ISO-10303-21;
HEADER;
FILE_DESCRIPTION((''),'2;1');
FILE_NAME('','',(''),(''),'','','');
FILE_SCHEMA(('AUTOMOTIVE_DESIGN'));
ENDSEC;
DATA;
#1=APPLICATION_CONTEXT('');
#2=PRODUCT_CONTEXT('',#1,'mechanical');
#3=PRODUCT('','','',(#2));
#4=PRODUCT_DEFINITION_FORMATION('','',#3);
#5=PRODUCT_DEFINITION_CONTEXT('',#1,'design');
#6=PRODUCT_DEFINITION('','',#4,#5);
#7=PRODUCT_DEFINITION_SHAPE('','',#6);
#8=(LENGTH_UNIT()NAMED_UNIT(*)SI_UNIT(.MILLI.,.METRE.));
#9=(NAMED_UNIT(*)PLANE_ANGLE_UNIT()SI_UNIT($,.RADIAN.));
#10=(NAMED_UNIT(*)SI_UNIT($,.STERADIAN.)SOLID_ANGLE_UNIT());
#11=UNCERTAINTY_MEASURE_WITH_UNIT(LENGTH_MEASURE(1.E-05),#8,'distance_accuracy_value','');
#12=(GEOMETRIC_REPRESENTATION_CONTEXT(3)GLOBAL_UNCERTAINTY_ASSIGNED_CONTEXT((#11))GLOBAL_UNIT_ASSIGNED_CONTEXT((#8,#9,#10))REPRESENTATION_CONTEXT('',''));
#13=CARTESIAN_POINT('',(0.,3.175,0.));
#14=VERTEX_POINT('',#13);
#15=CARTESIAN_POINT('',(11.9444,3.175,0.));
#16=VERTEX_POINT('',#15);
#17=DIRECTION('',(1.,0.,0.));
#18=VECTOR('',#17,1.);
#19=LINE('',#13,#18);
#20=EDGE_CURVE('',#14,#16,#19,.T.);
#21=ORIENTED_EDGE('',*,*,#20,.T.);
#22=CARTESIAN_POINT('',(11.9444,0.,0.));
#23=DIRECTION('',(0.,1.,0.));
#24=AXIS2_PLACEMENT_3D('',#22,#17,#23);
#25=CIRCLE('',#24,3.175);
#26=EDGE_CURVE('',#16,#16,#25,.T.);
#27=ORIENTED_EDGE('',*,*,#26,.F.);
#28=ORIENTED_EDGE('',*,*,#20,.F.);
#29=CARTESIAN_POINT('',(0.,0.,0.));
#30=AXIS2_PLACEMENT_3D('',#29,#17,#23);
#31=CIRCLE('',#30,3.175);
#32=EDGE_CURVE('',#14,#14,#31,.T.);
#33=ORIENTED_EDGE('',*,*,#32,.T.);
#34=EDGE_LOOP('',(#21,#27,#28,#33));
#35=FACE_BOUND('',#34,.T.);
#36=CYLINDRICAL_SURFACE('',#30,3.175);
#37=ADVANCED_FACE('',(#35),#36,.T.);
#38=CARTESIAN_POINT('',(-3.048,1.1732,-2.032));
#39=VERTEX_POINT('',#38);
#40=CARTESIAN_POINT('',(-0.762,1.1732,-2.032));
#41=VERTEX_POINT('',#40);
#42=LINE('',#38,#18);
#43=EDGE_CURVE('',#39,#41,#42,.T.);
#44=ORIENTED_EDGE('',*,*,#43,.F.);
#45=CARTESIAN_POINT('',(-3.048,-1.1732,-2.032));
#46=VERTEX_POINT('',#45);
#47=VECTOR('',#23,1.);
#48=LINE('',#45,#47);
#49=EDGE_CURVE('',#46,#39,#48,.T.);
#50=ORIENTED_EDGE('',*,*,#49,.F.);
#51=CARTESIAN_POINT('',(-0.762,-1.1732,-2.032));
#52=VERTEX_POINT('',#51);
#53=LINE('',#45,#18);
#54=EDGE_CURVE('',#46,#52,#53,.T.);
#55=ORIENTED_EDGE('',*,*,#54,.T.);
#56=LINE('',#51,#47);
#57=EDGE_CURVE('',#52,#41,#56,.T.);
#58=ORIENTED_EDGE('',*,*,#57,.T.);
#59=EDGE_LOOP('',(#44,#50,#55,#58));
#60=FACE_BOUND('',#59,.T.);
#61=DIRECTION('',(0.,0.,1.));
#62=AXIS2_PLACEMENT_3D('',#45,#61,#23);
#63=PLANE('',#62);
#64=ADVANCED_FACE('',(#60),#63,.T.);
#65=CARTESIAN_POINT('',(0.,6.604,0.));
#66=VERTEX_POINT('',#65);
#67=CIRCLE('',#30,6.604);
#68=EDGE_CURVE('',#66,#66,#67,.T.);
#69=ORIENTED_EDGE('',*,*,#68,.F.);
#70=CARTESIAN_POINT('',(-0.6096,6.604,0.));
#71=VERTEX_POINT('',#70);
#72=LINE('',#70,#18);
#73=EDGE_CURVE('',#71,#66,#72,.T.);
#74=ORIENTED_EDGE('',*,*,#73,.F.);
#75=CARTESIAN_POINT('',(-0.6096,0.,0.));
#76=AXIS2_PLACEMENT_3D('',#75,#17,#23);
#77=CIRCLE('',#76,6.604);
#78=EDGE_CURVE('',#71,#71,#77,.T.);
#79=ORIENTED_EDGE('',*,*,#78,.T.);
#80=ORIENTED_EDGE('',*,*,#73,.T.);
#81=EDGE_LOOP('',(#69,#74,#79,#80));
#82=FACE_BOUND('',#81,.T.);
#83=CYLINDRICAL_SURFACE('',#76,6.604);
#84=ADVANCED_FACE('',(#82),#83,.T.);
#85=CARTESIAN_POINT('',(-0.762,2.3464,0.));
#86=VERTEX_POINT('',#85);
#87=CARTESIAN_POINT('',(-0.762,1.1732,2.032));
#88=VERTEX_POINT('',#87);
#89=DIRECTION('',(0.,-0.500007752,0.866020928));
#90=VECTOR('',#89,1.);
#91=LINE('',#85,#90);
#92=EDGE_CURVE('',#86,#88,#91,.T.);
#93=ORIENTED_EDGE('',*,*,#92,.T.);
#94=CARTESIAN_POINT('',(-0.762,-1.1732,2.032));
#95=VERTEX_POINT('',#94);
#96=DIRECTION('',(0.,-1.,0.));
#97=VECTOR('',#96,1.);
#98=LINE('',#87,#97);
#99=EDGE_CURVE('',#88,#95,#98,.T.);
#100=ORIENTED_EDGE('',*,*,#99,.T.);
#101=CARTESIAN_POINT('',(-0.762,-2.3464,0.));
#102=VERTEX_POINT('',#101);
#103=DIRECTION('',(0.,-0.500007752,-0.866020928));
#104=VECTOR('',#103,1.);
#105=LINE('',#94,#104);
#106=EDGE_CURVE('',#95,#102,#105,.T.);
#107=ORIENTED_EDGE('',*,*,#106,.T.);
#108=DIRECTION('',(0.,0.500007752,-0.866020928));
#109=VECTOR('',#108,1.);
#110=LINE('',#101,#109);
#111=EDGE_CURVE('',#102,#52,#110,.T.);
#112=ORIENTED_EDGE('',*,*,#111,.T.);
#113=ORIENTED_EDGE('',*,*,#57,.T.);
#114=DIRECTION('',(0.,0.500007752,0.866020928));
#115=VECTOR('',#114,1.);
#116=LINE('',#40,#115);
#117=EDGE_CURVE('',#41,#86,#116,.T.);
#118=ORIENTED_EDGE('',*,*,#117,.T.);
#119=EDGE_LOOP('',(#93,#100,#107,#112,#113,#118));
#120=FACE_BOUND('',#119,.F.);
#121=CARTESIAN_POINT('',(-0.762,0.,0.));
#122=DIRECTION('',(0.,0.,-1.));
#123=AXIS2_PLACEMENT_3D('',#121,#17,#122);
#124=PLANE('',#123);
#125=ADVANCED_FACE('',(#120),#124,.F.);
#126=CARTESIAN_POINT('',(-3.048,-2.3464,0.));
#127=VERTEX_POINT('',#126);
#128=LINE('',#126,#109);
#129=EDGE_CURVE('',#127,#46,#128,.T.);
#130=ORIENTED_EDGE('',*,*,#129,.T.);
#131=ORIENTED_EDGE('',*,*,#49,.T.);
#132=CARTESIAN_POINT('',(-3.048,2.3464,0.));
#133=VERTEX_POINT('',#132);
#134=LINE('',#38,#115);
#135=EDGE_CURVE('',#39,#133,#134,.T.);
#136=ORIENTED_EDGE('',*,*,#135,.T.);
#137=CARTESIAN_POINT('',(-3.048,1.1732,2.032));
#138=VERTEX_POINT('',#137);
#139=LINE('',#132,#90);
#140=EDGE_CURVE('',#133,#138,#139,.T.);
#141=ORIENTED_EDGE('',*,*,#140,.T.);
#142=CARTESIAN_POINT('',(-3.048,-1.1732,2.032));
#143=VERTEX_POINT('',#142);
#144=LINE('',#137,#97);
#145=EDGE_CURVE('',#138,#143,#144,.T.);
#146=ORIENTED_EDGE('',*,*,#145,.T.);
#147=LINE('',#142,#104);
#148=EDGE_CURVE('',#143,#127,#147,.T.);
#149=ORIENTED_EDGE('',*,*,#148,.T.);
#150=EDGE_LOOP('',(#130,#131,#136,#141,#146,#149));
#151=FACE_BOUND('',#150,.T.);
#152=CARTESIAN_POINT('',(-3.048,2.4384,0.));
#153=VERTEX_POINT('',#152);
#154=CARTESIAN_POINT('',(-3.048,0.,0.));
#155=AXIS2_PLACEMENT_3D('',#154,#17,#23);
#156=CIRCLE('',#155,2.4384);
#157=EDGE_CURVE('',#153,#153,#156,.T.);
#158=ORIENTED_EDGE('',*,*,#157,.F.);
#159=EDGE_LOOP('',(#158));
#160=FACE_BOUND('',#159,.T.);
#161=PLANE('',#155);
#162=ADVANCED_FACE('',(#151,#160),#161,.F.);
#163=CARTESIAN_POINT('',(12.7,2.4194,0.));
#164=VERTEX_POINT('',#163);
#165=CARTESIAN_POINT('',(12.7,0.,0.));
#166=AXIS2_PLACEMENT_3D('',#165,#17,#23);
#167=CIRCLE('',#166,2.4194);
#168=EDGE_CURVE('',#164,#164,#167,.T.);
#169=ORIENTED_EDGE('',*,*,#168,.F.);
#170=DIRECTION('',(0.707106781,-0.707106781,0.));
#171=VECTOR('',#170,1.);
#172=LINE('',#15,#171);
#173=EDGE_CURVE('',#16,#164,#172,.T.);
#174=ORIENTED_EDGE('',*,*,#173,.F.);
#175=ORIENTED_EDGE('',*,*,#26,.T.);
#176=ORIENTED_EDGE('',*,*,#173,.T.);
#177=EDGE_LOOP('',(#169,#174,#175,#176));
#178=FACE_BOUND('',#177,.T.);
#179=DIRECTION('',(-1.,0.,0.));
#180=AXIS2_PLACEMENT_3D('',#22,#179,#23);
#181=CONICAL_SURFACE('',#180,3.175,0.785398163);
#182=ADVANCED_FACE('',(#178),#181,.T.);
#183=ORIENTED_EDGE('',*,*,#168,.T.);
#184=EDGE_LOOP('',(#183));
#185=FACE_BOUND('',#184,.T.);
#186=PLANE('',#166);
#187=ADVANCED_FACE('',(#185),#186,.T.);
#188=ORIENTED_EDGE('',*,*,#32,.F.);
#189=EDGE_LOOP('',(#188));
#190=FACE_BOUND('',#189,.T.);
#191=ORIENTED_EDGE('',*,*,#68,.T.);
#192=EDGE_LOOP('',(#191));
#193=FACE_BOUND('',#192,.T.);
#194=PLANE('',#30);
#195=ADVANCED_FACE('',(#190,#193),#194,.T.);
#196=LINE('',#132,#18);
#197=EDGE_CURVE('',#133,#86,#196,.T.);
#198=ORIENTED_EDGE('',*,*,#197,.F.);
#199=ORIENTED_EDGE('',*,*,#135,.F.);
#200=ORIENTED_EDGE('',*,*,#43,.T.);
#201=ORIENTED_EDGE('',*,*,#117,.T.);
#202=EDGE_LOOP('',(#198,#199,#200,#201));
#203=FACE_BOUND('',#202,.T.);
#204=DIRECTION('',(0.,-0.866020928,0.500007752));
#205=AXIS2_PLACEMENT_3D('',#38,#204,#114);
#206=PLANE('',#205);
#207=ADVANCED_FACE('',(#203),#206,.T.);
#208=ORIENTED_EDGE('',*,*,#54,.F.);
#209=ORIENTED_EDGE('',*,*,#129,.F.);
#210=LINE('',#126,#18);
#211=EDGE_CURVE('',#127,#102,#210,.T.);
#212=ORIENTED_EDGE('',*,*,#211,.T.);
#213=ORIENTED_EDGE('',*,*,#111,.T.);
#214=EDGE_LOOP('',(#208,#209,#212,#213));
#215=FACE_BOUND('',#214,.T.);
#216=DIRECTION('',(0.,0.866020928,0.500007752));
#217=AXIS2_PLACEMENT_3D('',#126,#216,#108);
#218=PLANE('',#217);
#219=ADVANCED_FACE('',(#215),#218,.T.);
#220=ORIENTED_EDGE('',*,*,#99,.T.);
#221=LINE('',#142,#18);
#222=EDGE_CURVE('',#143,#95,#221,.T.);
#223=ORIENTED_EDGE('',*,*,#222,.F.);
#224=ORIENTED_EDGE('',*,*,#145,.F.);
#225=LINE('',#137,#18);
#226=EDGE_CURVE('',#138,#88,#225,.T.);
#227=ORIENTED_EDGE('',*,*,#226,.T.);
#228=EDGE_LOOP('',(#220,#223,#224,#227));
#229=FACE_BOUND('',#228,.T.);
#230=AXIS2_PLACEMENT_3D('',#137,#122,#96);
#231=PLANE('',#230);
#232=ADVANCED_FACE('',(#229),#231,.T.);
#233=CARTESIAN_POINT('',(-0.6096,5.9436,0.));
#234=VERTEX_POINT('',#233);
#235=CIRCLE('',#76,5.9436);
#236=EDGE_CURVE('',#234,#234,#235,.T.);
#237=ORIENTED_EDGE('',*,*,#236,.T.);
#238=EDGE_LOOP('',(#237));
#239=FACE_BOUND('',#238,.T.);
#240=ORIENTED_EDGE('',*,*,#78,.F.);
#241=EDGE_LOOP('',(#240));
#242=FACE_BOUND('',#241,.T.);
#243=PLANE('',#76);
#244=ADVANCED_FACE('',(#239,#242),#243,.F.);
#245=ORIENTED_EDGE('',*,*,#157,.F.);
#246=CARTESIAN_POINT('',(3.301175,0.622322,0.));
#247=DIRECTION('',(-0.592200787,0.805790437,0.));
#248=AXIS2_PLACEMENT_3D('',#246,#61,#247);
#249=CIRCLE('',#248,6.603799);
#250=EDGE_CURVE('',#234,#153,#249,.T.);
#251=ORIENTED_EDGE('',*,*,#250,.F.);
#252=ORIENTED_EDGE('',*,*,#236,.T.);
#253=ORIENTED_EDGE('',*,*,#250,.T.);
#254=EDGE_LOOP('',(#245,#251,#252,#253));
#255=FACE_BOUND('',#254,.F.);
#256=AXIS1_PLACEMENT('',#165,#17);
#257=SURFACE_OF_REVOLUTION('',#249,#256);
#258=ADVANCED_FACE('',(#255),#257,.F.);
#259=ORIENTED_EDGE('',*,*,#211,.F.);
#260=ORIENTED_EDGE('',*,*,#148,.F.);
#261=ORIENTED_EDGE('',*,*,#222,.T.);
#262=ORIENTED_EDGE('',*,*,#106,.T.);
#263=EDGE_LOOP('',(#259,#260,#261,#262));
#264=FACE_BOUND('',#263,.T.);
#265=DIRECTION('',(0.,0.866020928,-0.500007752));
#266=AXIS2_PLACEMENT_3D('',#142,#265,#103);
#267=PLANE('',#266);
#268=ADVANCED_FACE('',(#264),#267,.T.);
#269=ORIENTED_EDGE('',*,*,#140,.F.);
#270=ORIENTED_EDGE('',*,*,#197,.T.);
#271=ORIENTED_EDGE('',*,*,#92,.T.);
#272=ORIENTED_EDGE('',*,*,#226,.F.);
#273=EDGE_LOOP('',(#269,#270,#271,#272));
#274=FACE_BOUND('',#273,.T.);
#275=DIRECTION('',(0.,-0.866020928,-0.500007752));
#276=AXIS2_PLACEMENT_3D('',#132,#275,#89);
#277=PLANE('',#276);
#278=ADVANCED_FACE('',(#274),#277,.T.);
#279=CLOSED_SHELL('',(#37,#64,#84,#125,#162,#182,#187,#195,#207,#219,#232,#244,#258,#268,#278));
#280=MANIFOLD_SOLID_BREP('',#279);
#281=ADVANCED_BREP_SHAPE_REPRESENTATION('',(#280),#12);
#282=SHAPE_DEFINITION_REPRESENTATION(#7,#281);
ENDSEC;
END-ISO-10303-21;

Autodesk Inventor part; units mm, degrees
sketch "Sketch_1" plane through (0, 0, 0) normal (0, 0, 1) x (1, 0, 0)
  line L0 (12.7, 0) -> (-3.048, 0)
  line L1 (-3.048, 0) -> (-3.048, 2.4384)
  arc A0 (-0.6096, 5.9436) -> (-3.048, 2.4384) centre (3.3013, 0.6222) ccw
  line L2 (-0.6096, 5.9436) -> (-0.6096, 6.604)
  line L3 (-0.6096, 6.604) -> (0, 6.604)
  line L4 (0, 6.604) -> (0, 3.175)
  line L5 (0, 3.175) -> (11.9444, 3.175)
  line L6 (11.9444, 3.175) -> (12.7, 2.4194)
  line L7 (12.7, 2.4194) -> (12.7, 0)
  line L8 (12.7, 0) -> (-3.048, 0)
revolve "Revolution1" add sketch "Sketch_1" angle 360 about axis through (12.7, 0, 0) along (1, 0, 0)
thread "Thread1" size "1/4-20 UNC" class "2A" standard "ANSI Unified Screw Threads" length 10.6355
sketch "Sketch_2" plane through (-3.048, 0, 0) normal (1, 0, 0) x (0, 0, -1)
  line L0 (-2.032, -1.1732) -> (0, -2.3464)
  line L1 (0, -2.3464) -> (2.032, -1.1732)
  line L2 (2.032, -1.1732) -> (2.032, 1.1732)
  line L3 (2.032, 1.1732) -> (0, 2.3464)
  line L4 (0, 2.3464) -> (-2.032, 1.1732)
  line L5 (-2.032, 1.1732) -> (-2.032, -1.1732)
extrude "Extrusion1" cut sketch "Sketch_2" along normal blind 2.286
ref_plane "screw_XY" through (0, 0, 0) normal (1, 0, 0) x (0, 0, -1)
ref_plane "screw_YZ" through (0, 0, 0) normal (0, 0, -1) x (0, 1, 0)
ref_plane "screw_ZX" through (0, 0, 0) normal (0, 1, 0) x (1, 0, 0)
ref_plane "to_nut_XY" through (12.7, 0, 0) normal (1, 0, 0) x (0, 0, -1)
ref_plane "to_nut_YZ" through (12.7, 0, 0) normal (0, 0, -1) x (0, 1, 0)
ref_plane "to_nut_ZX" through (12.7, 0, 0) normal (0, 1, 0) x (1, 0, 0)
properties part number "3342"
